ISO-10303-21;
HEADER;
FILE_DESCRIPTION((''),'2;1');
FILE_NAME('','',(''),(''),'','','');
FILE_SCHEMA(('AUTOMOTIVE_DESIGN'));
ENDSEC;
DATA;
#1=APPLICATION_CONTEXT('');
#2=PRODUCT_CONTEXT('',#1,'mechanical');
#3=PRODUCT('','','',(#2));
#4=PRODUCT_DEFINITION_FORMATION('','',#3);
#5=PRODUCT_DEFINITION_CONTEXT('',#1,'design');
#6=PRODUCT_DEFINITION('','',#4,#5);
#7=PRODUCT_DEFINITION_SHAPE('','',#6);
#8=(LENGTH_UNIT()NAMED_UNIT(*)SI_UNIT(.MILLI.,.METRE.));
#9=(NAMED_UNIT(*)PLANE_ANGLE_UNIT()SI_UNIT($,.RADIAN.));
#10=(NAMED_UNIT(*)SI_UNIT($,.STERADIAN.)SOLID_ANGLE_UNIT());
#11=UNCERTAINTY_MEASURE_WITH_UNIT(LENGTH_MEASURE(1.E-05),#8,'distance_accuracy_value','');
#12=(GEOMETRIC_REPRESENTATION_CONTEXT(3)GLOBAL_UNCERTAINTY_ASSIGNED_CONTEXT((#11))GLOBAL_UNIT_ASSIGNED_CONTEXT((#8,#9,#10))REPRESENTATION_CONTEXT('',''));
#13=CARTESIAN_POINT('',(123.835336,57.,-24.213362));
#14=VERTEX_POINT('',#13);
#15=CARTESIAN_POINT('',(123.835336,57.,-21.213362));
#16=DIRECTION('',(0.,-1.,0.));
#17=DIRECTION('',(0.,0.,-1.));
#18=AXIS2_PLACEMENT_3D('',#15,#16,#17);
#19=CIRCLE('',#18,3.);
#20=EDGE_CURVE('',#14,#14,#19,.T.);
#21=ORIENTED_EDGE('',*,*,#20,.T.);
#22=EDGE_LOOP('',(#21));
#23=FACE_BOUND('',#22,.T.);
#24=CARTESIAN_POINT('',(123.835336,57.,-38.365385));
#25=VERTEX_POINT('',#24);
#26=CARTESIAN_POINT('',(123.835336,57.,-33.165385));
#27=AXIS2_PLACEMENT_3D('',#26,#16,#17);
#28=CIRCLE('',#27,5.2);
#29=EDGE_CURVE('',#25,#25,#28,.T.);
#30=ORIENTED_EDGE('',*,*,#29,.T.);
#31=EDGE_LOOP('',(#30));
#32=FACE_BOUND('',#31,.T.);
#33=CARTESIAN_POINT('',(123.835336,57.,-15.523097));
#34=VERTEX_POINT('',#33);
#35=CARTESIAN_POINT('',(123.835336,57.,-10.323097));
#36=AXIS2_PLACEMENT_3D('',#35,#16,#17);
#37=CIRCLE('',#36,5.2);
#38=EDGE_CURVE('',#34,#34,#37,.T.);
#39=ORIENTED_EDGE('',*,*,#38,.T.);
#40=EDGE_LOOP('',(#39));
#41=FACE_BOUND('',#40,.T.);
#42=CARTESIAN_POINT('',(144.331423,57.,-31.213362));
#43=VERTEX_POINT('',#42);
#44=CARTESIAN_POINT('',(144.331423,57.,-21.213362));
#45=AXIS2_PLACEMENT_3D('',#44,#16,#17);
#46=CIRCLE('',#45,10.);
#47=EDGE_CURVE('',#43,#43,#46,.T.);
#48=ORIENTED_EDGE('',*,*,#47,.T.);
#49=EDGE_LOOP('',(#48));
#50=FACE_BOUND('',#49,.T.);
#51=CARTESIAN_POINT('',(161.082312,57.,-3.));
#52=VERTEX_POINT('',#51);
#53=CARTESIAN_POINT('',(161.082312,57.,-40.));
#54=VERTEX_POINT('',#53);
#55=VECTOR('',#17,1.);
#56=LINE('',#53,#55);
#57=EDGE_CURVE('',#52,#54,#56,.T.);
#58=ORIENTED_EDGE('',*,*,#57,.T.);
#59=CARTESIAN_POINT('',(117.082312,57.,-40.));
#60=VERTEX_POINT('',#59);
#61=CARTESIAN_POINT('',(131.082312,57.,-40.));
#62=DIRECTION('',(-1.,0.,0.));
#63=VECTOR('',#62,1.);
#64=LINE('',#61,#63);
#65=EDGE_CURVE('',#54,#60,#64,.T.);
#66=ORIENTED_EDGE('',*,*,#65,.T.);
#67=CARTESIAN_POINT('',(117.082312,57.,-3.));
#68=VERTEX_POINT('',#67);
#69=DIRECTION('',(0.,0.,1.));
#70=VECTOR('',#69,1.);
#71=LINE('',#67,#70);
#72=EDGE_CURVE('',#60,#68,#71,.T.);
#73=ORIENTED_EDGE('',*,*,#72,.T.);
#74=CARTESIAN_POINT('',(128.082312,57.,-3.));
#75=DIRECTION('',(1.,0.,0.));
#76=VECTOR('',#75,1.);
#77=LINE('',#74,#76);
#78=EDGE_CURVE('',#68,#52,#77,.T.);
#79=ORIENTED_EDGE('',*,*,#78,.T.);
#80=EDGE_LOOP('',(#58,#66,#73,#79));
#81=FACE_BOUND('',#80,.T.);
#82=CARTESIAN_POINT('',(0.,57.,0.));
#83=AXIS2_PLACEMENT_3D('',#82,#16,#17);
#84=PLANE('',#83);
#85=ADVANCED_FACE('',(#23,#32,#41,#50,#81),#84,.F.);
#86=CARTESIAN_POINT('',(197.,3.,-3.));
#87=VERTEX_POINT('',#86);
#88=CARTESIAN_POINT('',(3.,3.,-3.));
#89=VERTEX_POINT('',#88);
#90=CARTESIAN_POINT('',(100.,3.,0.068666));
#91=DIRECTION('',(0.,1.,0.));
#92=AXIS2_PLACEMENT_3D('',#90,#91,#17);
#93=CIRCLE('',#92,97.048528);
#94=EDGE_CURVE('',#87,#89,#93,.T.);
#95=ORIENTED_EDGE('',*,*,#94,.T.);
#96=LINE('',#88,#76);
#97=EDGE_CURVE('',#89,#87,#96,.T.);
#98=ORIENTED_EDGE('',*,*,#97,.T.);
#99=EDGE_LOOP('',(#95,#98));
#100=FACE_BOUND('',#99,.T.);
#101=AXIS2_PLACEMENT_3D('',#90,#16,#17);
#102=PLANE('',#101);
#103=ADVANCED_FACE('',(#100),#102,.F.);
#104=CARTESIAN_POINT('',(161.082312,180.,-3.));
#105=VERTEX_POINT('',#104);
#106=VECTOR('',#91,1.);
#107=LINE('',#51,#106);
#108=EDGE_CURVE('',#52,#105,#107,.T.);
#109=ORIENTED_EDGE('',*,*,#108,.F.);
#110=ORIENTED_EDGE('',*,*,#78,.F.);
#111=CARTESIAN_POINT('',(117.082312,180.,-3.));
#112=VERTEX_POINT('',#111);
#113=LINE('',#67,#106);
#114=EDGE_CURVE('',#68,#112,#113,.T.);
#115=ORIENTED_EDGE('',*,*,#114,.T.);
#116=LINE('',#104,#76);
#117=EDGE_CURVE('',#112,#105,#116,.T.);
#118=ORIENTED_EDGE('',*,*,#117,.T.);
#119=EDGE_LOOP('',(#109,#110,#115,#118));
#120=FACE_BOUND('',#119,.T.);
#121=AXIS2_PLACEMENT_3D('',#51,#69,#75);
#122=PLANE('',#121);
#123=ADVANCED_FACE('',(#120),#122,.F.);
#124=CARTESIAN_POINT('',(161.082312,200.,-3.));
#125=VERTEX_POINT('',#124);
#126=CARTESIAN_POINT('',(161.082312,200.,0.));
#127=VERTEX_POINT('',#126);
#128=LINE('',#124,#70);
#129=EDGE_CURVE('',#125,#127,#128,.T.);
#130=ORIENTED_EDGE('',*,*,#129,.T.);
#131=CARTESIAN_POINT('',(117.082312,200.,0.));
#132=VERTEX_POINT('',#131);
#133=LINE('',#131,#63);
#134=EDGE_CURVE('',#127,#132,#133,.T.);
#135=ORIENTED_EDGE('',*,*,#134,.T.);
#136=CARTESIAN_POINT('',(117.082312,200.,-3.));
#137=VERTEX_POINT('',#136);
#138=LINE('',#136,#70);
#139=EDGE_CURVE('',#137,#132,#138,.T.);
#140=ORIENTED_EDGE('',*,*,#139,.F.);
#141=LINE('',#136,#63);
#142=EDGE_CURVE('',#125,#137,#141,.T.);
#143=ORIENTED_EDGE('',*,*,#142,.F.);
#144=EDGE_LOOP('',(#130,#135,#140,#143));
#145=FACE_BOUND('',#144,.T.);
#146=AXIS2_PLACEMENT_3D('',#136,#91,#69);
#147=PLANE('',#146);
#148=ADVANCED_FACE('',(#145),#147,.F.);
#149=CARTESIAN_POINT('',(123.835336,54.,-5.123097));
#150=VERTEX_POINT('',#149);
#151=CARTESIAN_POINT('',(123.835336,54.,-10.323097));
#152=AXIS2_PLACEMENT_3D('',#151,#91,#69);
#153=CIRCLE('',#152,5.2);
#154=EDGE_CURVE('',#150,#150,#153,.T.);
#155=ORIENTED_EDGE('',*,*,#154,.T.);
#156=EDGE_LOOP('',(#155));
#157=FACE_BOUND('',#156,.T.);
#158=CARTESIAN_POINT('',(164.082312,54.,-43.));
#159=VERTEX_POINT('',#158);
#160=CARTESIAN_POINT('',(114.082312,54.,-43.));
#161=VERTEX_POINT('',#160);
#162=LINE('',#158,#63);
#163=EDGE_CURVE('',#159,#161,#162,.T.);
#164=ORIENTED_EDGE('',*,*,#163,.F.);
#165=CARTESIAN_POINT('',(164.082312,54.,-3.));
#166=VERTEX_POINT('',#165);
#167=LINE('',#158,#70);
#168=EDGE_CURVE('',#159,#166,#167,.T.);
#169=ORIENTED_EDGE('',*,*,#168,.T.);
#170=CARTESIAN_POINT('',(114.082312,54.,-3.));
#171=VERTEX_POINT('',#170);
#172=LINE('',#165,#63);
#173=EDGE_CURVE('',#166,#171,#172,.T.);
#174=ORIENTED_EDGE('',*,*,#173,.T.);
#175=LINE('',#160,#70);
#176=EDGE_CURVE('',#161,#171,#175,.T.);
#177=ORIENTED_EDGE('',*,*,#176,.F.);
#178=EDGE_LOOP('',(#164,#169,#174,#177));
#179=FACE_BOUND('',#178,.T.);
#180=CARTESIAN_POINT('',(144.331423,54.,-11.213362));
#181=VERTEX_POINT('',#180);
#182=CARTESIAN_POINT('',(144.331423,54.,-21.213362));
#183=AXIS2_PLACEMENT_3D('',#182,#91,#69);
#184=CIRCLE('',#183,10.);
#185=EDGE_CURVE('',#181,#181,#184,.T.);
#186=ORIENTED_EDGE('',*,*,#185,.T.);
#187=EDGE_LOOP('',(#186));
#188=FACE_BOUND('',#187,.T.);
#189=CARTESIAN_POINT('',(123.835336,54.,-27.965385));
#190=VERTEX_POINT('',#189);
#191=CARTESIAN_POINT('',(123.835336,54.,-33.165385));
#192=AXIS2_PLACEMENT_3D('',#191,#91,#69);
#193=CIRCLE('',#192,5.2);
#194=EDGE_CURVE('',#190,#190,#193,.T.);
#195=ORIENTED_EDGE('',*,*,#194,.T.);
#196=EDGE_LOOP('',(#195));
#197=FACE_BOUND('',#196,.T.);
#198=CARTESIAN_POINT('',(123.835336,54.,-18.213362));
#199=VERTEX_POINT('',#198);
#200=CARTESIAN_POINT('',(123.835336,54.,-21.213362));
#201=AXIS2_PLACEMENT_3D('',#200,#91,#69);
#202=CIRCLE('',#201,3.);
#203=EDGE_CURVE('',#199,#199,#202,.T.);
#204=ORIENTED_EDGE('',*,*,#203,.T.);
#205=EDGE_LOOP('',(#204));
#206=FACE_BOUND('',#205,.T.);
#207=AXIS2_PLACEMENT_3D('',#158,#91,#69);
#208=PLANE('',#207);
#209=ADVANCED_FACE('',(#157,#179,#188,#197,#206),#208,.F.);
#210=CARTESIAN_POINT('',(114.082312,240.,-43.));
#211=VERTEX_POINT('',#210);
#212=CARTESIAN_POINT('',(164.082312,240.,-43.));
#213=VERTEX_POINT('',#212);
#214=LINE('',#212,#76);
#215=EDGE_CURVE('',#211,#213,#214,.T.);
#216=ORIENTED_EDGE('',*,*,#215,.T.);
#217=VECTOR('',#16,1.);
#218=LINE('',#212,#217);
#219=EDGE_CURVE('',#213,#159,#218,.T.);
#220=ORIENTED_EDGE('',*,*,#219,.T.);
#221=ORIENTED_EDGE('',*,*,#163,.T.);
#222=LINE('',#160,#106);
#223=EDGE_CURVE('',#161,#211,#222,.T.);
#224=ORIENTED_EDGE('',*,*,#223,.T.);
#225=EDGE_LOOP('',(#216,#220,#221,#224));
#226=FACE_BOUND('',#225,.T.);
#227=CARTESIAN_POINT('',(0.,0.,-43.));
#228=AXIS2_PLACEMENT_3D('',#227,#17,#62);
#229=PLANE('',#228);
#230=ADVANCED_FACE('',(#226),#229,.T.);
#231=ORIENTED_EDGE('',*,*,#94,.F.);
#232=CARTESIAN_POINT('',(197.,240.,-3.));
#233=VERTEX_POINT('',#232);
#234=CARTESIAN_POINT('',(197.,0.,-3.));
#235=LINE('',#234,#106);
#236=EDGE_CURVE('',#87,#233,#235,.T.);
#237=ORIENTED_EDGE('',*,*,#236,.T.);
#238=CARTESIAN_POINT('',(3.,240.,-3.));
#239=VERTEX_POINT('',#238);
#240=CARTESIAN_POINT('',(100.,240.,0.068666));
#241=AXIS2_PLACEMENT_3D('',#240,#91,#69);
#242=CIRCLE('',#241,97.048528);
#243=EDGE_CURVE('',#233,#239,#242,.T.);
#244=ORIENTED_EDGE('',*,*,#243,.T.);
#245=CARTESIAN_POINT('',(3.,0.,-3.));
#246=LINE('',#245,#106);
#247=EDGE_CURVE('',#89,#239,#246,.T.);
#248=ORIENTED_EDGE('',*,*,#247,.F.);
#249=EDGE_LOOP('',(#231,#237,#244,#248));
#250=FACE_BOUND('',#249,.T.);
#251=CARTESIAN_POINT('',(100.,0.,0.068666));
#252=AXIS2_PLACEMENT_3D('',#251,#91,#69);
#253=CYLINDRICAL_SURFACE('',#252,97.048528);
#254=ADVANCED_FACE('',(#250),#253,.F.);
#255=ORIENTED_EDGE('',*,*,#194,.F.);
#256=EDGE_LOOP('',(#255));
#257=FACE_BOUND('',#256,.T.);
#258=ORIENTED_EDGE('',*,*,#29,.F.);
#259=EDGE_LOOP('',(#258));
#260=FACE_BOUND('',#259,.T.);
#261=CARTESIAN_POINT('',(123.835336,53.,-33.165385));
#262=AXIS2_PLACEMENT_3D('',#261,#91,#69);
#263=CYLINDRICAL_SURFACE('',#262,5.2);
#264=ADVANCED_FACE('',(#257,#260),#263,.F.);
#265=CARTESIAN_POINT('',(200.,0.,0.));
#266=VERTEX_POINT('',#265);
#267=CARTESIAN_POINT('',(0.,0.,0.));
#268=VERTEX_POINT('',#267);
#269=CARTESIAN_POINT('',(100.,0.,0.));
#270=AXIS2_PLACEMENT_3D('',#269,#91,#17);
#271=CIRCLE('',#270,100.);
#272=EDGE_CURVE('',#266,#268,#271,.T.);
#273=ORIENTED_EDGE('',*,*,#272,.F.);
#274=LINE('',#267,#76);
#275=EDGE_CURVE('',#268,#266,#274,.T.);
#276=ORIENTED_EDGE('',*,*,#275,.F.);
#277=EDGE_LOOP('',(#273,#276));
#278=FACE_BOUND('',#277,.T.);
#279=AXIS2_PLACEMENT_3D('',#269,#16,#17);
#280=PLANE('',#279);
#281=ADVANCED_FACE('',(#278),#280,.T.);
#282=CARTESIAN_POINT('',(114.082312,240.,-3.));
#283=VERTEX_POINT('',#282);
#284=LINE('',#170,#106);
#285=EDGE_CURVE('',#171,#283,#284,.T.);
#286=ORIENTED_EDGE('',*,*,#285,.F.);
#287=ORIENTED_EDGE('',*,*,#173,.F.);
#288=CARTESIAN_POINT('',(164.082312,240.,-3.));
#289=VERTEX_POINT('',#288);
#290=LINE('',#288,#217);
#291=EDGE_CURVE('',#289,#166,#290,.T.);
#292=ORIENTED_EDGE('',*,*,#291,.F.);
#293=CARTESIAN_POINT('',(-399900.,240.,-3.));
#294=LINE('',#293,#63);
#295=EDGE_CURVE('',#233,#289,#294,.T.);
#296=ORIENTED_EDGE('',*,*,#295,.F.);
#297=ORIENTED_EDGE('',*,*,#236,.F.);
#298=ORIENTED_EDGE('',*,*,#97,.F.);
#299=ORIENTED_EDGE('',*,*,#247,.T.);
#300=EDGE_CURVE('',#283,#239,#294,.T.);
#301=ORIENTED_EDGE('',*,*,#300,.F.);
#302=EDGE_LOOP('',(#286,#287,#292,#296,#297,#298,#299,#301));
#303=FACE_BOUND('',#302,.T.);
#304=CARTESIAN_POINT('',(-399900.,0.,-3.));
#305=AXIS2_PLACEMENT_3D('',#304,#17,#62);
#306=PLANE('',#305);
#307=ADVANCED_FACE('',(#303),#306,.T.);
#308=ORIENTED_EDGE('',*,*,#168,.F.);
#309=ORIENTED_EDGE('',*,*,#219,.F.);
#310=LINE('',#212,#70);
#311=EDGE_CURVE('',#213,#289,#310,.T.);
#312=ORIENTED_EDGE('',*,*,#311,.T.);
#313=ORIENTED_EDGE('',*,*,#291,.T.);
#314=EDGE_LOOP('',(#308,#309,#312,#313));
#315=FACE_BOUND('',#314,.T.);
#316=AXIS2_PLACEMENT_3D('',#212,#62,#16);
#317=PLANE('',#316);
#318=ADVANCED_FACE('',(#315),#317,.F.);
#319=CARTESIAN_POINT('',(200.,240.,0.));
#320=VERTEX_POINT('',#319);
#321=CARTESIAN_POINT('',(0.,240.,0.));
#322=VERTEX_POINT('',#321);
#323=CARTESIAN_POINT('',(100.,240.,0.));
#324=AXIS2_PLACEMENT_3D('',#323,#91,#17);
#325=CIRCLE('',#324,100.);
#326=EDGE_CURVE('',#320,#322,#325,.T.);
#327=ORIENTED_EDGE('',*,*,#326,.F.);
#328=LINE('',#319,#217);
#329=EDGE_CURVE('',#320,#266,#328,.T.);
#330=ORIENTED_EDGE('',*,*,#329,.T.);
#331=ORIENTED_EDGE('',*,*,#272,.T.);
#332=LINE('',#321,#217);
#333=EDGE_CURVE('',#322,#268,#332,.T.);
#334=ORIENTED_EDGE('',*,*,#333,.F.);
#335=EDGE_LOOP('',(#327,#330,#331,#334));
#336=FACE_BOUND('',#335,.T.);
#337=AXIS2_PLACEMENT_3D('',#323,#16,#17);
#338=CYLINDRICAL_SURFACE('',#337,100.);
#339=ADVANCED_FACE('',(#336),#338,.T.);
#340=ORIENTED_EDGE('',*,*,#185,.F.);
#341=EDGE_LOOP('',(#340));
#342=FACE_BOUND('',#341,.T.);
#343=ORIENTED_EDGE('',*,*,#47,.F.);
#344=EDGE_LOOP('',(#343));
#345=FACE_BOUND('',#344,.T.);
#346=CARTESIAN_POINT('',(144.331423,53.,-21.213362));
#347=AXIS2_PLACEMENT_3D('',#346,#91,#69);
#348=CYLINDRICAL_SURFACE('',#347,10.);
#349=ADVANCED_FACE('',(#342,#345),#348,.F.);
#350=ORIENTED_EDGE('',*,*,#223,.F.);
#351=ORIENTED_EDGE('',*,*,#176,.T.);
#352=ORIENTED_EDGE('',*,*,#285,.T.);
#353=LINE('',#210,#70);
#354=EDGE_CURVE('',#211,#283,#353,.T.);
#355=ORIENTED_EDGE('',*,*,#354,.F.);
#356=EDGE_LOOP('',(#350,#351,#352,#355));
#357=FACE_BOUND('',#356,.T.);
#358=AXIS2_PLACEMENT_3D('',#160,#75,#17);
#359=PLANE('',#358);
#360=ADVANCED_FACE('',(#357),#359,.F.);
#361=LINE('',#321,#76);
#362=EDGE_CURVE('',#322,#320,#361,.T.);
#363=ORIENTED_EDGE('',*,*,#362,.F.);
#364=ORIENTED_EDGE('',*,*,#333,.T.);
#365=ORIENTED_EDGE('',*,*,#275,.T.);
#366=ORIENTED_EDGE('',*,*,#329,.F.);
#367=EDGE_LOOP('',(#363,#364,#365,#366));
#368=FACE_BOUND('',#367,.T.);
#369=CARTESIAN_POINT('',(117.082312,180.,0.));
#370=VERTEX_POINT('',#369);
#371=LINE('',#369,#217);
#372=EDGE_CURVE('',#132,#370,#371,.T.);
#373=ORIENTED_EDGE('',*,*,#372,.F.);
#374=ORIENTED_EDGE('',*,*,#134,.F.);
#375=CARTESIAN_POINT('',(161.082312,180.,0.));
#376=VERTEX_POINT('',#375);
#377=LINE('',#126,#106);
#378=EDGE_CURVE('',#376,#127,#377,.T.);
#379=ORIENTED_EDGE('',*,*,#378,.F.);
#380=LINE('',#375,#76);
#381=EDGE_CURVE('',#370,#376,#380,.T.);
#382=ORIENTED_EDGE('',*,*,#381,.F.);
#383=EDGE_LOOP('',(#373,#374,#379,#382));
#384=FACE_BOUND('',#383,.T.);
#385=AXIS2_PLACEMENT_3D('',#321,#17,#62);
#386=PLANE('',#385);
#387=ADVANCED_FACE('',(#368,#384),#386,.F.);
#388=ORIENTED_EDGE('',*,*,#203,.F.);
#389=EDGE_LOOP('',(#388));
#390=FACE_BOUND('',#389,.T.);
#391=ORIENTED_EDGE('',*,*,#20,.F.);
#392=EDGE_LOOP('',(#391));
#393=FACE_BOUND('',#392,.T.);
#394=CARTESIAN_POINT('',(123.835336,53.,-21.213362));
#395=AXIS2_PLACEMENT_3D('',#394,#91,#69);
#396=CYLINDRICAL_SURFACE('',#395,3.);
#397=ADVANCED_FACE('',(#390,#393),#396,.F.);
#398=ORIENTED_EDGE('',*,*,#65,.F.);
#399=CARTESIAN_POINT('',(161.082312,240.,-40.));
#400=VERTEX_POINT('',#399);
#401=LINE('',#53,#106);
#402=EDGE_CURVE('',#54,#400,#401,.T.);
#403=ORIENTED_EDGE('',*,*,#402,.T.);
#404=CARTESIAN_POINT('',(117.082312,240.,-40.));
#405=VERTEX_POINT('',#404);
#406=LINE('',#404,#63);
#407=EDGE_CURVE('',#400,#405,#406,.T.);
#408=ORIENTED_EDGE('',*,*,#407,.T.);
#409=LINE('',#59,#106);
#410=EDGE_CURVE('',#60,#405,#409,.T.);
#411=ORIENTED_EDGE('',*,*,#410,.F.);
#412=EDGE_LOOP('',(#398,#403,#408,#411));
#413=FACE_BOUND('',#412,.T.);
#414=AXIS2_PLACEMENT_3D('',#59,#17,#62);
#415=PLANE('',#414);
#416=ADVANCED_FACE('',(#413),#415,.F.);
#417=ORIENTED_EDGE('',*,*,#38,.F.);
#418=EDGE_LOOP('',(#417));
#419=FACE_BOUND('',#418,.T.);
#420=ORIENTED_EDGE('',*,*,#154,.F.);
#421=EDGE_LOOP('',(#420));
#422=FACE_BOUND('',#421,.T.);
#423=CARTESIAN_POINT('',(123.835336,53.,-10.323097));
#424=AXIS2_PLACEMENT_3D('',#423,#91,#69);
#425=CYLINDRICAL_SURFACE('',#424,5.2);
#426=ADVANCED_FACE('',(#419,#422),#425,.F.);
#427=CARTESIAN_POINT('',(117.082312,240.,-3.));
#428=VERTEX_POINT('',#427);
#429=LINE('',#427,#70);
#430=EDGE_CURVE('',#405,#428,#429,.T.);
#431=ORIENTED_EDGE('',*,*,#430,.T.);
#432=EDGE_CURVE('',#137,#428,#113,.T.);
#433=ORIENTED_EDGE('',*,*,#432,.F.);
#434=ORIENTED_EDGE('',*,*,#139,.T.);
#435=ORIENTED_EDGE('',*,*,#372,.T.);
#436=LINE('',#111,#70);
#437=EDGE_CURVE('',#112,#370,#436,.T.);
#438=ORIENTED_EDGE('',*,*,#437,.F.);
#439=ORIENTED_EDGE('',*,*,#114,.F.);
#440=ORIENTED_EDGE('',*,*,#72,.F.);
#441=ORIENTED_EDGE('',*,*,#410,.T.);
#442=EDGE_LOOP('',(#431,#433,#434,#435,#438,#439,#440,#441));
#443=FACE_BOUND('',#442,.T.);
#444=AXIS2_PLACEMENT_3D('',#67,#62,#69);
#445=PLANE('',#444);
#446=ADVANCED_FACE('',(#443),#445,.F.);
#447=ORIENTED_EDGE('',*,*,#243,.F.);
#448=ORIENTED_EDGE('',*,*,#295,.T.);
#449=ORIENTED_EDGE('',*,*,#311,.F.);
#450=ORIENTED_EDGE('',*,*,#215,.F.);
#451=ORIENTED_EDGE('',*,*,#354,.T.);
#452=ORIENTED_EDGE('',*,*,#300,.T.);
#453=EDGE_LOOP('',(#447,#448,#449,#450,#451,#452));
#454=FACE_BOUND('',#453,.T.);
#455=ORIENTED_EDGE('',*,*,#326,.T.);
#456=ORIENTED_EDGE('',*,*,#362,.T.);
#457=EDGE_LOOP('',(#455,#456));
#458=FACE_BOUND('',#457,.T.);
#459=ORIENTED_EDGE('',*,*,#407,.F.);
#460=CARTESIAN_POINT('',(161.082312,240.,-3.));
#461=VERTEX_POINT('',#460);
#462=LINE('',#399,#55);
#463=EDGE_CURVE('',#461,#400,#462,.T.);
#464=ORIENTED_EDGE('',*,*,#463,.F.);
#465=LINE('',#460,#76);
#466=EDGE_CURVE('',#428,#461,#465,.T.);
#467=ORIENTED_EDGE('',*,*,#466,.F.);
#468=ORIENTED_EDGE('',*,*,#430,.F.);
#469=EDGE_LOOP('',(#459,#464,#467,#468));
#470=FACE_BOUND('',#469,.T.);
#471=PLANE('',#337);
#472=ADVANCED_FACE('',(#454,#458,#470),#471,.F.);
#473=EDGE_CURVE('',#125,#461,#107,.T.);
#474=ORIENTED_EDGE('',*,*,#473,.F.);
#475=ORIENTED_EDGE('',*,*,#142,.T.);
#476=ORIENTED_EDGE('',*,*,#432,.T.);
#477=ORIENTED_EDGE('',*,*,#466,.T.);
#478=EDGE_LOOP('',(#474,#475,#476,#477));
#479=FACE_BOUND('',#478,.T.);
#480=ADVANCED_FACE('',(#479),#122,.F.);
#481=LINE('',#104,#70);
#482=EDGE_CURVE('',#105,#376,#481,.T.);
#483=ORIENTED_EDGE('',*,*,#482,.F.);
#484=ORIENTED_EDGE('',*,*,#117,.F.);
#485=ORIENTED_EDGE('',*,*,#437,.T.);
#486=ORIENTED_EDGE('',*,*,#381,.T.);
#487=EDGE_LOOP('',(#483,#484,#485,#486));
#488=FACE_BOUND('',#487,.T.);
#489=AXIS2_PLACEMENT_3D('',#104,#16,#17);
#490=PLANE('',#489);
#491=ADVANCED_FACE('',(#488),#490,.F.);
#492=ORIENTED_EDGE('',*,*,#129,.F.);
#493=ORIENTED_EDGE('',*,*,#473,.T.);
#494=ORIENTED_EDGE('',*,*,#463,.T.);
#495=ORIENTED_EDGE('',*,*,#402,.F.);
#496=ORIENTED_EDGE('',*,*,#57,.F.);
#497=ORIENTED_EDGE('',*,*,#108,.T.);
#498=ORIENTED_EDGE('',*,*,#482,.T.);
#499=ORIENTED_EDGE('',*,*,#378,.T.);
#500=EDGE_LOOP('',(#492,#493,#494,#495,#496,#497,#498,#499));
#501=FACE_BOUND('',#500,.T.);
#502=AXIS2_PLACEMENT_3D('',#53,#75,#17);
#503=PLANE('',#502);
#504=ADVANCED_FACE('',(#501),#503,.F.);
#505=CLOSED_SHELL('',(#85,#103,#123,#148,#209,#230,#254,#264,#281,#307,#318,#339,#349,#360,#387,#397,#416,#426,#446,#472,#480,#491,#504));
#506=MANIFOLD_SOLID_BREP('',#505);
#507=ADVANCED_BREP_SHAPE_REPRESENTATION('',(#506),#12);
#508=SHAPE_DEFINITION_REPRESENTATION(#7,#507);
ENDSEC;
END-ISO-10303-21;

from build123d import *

# Parameters (mm, degrees)
EXTRUDE_1_DEPTH          = 240
CUT_EXTRUDE_3_DEPTH      = 326.109212419
CUT_EXTRUDE_3_DEPTH_BACK = 326.109212419
EXTRUDE_3_DEPTH          = 3
SKETCH_11_W              = 50
SKETCH_11_H              = 186
EXTRUDE_5_DEPTH          = 40
CUT_EXTRUDE_4_DEPTH      = 183
SKETCH_13_R              = 10
SKETCH_13_R_2            = 3
SKETCH_13_R_3            = 5.2
CUT_EXTRUDE_5_DEPTH      = 187
SKETCH_16_W              = 44
SKETCH_16_H              = 20
CUT_EXTRUDE_6_DEPTH      = 3


with BuildPart() as part:
    # 草图2 → 凸台-拉伸1 (new body)
    with BuildSketch(Plane(origin=(0, 0, 0), x_dir=(1, 0, 0), z_dir=(0, 1, 0))):
        with BuildLine():
            Line((0, 0), (200, 0))
            ThreePointArc((200, 0), (100, 100), (0, 0))
        make_face()
    extrude(amount=EXTRUDE_1_DEPTH)

    # 草图4 → 切除-拉伸3 (cut, two sides: drawn at the far end of the back side and taken through both)
    with BuildSketch(Plane(origin=(0, 4, 0), x_dir=(1, 0, 0), z_dir=(0, 1, 0)).offset(-CUT_EXTRUDE_3_DEPTH_BACK)):
        with BuildLine():
            Line((3, 3), (197, 3))
            ThreePointArc((197, 3), (100, 96.979861709), (3, 3))
        make_face()
    extrude(amount=CUT_EXTRUDE_3_DEPTH + CUT_EXTRUDE_3_DEPTH_BACK, mode=Mode.SUBTRACT)

    # 草图10 → 凸台-拉伸3 (add)
    with BuildSketch(Plane(origin=(0, 0, 0), x_dir=(1, 0, 0), z_dir=(0, 1, 0))):
        with BuildLine():
            Line((3, 3), (197, 3))
            ThreePointArc((197, 3), (100, 96.979861709), (3, 3))
        make_face()
    extrude(amount=EXTRUDE_3_DEPTH)

    # 草图11 → 凸台-拉伸5 (add)
    with BuildSketch(Plane(origin=(0, 0, -3), x_dir=(-1, 0, 0), z_dir=(0, 0, -1))):
        with Locations((-139.082312279, 147)):
            Rectangle(SKETCH_11_W, SKETCH_11_H)
    extrude(amount=EXTRUDE_5_DEPTH)

    # 草图12 → 切除-拉伸4 (cut)
    with BuildSketch(Plane(origin=(0, 240, 0), x_dir=(1, 0, 0), z_dir=(0, 1, 0))):
        Polygon((117.082312279, 3), (117.082312279, 40), (128.082312279, 40), (131.082312279, 40), (161.082312279, 40), (161.082312279, 3), (131.082312279, 3), (128.082312279, 3), align=None)
    extrude(amount=-CUT_EXTRUDE_4_DEPTH, mode=Mode.SUBTRACT)

    # 草图13 → 切除-拉伸5 (cut)
    with BuildSketch(Plane(origin=(0, 240, 0), x_dir=(1, 0, 0), z_dir=(0, 1, 0))):
        with Locations(Location((144.331422693, 21.213361888, 0), (0, 0, 270))):
            Circle(SKETCH_13_R)
        with Locations(Location((123.835336357, 21.213361888, 0), (0, 0, 270))):
            Circle(SKETCH_13_R_2)
        with Locations(Location((123.835336357, 10.323097486, 0), (0, 0, 270))):
            Circle(SKETCH_13_R_3)
        with Locations(Location((123.835336357, 33.165384847, 0), (0, 0, 270))):
            Circle(SKETCH_13_R_3)
    extrude(amount=-CUT_EXTRUDE_5_DEPTH, mode=Mode.SUBTRACT)

    # 草图16 → 切除-拉伸6 (cut)
    with BuildSketch(Plane.XY):
        with Locations((139.082312279, 190)):
            Rectangle(SKETCH_16_W, SKETCH_16_H)
    extrude(amount=-CUT_EXTRUDE_6_DEPTH, mode=Mode.SUBTRACT)


solid = part.part
